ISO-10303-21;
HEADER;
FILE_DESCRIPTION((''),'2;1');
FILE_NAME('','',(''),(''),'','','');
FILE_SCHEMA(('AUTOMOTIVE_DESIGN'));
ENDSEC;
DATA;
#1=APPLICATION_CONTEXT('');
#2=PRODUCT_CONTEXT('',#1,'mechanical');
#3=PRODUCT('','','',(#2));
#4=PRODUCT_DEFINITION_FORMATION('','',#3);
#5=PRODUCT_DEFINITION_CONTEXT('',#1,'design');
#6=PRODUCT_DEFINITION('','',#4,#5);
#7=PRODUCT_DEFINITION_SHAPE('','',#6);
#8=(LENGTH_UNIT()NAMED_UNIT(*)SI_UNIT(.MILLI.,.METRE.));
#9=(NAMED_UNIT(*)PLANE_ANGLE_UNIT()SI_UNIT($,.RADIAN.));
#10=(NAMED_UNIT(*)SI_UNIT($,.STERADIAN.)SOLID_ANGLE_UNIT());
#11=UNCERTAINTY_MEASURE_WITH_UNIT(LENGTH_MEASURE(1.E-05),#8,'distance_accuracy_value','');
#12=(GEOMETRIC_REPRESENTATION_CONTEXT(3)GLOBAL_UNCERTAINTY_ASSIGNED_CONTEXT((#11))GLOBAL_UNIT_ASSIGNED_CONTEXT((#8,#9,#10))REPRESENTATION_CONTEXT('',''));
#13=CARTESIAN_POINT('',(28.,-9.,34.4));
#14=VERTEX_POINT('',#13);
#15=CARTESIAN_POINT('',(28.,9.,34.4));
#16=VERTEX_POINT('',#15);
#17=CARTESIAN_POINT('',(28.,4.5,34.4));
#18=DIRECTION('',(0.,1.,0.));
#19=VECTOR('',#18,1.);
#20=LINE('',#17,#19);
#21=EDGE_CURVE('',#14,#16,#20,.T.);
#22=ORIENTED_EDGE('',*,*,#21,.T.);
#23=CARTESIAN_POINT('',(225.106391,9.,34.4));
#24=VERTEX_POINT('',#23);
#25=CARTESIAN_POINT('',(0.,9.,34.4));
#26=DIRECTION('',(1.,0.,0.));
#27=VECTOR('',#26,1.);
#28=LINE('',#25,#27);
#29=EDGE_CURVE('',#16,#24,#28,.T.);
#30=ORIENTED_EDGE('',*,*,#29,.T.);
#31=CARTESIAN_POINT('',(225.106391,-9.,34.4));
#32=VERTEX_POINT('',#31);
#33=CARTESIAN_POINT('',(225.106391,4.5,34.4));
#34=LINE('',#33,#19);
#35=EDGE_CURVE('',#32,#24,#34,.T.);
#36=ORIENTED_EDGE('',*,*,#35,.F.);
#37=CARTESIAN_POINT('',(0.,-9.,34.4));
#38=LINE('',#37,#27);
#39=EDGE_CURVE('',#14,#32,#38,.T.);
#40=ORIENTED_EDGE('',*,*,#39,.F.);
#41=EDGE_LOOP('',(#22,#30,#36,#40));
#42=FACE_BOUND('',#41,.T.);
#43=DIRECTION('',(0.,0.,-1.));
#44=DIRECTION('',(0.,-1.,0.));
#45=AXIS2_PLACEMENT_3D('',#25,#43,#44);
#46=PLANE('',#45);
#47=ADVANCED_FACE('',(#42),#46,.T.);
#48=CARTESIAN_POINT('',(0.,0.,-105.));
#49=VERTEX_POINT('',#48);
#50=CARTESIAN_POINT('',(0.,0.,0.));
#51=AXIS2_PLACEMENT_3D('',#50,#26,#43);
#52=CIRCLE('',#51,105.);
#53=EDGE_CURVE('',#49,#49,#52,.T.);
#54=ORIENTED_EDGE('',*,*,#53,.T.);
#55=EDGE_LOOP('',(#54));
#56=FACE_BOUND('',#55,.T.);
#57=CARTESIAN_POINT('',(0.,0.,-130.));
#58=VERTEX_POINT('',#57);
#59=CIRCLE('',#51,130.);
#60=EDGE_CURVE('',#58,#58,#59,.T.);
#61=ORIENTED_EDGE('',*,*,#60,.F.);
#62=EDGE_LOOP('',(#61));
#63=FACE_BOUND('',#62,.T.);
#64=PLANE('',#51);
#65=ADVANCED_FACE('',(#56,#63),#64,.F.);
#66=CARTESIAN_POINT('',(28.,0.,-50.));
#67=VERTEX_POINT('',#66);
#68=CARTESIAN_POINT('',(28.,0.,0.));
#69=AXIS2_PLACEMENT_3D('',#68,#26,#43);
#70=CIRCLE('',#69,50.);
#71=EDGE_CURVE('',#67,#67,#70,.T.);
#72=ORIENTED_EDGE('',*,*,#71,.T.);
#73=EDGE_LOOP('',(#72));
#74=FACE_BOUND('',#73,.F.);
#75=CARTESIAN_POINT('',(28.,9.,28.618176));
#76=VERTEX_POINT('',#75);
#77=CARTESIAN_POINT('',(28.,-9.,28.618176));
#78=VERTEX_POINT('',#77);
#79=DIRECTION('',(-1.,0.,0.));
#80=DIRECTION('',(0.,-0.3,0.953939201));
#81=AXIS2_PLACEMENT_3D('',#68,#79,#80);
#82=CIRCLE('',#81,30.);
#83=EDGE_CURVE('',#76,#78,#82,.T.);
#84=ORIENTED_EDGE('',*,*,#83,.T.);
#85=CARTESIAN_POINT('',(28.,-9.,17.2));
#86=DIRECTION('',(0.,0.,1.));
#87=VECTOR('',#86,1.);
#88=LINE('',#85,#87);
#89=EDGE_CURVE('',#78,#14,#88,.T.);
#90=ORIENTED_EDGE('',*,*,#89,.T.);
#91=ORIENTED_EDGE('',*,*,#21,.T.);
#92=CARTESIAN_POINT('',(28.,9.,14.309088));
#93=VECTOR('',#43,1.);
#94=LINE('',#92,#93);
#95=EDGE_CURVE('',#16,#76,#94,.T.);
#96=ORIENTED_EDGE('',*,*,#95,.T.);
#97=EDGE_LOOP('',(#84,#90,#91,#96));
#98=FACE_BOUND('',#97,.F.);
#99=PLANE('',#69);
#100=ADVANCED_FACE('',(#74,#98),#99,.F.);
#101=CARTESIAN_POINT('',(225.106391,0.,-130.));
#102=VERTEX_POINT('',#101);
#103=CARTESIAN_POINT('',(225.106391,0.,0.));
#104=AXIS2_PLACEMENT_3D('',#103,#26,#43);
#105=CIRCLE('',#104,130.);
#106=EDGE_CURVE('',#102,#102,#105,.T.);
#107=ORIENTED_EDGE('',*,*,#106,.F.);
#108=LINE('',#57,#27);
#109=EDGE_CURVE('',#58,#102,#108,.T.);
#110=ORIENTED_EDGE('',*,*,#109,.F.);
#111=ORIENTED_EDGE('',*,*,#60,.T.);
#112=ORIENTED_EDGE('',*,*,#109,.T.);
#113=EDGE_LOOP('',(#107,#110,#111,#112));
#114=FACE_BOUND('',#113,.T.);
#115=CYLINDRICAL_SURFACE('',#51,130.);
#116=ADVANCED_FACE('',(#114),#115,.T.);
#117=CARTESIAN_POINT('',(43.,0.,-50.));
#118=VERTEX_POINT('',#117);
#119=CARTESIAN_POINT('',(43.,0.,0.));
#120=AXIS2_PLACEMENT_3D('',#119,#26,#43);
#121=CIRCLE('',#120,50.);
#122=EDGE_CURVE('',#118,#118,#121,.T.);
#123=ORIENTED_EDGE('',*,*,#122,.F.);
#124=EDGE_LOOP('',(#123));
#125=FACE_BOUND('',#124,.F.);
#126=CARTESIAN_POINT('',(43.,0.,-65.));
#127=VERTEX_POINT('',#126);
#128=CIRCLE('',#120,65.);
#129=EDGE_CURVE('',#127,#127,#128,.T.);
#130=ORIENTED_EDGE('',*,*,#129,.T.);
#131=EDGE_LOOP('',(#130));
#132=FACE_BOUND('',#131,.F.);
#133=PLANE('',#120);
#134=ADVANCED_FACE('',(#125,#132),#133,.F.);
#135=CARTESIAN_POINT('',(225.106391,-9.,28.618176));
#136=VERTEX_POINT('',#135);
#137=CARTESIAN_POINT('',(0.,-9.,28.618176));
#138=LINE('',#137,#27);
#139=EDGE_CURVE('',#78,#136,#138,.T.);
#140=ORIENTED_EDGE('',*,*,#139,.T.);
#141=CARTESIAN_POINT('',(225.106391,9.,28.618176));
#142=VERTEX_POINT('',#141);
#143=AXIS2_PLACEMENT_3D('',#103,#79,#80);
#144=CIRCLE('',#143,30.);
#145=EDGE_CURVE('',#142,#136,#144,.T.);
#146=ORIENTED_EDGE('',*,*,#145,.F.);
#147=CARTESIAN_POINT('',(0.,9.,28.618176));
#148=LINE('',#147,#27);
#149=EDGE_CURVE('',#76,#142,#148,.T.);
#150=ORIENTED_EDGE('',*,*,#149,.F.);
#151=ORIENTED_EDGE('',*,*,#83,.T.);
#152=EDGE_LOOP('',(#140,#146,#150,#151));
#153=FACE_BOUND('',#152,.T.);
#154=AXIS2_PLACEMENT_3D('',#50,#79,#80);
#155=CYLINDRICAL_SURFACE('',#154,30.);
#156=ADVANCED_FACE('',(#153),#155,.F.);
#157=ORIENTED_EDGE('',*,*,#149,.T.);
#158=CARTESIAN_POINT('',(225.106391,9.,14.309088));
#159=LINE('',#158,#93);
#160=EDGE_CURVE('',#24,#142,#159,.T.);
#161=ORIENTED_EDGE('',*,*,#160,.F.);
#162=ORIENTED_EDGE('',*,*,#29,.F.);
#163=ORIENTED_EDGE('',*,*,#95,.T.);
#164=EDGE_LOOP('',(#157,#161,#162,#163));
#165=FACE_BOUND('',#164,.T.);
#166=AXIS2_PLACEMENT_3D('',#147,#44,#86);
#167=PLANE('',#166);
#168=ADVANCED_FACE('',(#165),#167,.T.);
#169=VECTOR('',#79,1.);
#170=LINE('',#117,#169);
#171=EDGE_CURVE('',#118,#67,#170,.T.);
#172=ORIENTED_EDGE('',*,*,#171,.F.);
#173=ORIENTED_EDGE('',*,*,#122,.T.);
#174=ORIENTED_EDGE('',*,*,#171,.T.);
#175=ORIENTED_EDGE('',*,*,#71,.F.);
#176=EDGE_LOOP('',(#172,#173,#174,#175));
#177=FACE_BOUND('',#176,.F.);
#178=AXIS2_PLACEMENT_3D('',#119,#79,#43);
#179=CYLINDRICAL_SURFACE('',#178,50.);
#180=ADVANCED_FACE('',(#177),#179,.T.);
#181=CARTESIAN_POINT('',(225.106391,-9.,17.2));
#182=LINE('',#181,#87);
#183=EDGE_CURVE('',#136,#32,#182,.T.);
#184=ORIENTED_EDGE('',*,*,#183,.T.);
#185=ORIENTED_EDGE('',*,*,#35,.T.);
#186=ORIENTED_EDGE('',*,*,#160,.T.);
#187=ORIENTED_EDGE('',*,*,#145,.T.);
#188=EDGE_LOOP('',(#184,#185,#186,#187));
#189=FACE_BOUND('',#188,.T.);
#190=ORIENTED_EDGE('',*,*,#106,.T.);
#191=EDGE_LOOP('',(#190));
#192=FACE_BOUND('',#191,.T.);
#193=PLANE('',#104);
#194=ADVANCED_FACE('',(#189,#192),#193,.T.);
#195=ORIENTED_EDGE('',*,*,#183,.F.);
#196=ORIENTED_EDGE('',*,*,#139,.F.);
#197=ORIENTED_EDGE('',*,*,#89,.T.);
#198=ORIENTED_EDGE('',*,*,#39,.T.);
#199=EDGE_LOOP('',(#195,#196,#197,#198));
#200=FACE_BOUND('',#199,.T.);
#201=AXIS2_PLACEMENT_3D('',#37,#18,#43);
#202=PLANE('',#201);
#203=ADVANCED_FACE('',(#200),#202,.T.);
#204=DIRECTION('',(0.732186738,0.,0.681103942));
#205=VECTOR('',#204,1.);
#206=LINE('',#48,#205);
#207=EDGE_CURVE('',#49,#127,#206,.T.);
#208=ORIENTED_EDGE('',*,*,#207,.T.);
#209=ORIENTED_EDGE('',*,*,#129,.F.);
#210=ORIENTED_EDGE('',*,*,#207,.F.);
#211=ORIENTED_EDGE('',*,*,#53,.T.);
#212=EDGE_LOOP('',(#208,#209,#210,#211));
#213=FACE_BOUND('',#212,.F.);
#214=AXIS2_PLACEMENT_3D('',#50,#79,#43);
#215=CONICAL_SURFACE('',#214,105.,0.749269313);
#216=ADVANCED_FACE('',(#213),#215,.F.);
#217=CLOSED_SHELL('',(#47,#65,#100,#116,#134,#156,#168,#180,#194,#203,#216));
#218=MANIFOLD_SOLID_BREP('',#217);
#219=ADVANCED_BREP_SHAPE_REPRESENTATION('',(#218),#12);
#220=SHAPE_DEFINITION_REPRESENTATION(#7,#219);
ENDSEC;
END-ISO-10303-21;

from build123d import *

# Parameters (mm, degrees)
F5_DEPTH = 225.107391404


with BuildPart() as f1:
    # F0 (on Front) → F1 (revolve)
    with BuildSketch(Plane.XZ):
        Polygon((28, 0), (0, 0), (0, -130), (225.106391404, -130), (225.106391404, 0), align=None)
    revolve(axis=Axis((88.4175841547, 0, 0), (1, 0, 0)))

    # F2 (on Front) → F3 (revolve, cut)
    with BuildSketch(Plane.XZ):
        Polygon((28, 0), (0, 0), (0, -105), (43, -65), (43, -50), (28, -50), align=None)
    revolve(axis=Axis((88.4175841547, 0, 0), (1, 0, 0)), mode=Mode.SUBTRACT)

    # F4 (on Right) → F5 (cut, through all)
    with BuildSketch(Plane.YZ):
        with BuildLine():
            Line((0, 30), (0, 24.4))
            Line((0, 24.4), (9, 24.4))
            Line((9, 24.4), (9, 28.6181760425))
            ThreePointArc((9, 28.6181760425), (4.5527309785, 29.6525317745), (0, 30))
        make_face()
        with BuildLine():
            ThreePointArc((0, 30), (-4.5527309785, 29.6525317745), (-9, 28.6181760425))
            Line((-9, 28.6181760425), (-9, 24.4))
            Line((-9, 24.4), (0, 24.4))
            Line((0, 24.4), (0, 30))
        make_face()
        with BuildLine():
            ThreePointArc((-9, 28.6181760425), (-29.6525317745, -4.5527309785), (0, -30))
            Line((0, -30), (0, 24.4))
            Line((0, 24.4), (-9, 24.4))
            Line((-9, 24.4), (-9, 28.6181760425))
        make_face()
        with BuildLine():
            Line((0, 24.4), (0, -30))
            ThreePointArc((0, -30), (21.2132034356, -21.2132034356), (30, 0))
            ThreePointArc((30, 0), (24.1867732449, 17.7482393493), (9, 28.6181760425))
            Line((9, 28.6181760425), (9, 24.4))
            Line((9, 24.4), (0, 24.4))
        make_face()
        with BuildLine():
            Line((-9, 34.4), (-9, 28.6181760425))
            ThreePointArc((-9, 28.6181760425), (-4.5527309785, 29.6525317745), (0, 30))
            Line((0, 30), (0, 34.4))
            Line((0, 34.4), (-9, 34.4))
        make_face()
        with BuildLine():
            ThreePointArc((0, 30), (4.5527309785, 29.6525317745), (9, 28.6181760425))
            Line((9, 28.6181760425), (9, 34.4))
            Line((9, 34.4), (0, 34.4))
            Line((0, 34.4), (0, 30))
        make_face()
    extrude(amount=F5_DEPTH, mode=Mode.SUBTRACT)


solid = f1.part
